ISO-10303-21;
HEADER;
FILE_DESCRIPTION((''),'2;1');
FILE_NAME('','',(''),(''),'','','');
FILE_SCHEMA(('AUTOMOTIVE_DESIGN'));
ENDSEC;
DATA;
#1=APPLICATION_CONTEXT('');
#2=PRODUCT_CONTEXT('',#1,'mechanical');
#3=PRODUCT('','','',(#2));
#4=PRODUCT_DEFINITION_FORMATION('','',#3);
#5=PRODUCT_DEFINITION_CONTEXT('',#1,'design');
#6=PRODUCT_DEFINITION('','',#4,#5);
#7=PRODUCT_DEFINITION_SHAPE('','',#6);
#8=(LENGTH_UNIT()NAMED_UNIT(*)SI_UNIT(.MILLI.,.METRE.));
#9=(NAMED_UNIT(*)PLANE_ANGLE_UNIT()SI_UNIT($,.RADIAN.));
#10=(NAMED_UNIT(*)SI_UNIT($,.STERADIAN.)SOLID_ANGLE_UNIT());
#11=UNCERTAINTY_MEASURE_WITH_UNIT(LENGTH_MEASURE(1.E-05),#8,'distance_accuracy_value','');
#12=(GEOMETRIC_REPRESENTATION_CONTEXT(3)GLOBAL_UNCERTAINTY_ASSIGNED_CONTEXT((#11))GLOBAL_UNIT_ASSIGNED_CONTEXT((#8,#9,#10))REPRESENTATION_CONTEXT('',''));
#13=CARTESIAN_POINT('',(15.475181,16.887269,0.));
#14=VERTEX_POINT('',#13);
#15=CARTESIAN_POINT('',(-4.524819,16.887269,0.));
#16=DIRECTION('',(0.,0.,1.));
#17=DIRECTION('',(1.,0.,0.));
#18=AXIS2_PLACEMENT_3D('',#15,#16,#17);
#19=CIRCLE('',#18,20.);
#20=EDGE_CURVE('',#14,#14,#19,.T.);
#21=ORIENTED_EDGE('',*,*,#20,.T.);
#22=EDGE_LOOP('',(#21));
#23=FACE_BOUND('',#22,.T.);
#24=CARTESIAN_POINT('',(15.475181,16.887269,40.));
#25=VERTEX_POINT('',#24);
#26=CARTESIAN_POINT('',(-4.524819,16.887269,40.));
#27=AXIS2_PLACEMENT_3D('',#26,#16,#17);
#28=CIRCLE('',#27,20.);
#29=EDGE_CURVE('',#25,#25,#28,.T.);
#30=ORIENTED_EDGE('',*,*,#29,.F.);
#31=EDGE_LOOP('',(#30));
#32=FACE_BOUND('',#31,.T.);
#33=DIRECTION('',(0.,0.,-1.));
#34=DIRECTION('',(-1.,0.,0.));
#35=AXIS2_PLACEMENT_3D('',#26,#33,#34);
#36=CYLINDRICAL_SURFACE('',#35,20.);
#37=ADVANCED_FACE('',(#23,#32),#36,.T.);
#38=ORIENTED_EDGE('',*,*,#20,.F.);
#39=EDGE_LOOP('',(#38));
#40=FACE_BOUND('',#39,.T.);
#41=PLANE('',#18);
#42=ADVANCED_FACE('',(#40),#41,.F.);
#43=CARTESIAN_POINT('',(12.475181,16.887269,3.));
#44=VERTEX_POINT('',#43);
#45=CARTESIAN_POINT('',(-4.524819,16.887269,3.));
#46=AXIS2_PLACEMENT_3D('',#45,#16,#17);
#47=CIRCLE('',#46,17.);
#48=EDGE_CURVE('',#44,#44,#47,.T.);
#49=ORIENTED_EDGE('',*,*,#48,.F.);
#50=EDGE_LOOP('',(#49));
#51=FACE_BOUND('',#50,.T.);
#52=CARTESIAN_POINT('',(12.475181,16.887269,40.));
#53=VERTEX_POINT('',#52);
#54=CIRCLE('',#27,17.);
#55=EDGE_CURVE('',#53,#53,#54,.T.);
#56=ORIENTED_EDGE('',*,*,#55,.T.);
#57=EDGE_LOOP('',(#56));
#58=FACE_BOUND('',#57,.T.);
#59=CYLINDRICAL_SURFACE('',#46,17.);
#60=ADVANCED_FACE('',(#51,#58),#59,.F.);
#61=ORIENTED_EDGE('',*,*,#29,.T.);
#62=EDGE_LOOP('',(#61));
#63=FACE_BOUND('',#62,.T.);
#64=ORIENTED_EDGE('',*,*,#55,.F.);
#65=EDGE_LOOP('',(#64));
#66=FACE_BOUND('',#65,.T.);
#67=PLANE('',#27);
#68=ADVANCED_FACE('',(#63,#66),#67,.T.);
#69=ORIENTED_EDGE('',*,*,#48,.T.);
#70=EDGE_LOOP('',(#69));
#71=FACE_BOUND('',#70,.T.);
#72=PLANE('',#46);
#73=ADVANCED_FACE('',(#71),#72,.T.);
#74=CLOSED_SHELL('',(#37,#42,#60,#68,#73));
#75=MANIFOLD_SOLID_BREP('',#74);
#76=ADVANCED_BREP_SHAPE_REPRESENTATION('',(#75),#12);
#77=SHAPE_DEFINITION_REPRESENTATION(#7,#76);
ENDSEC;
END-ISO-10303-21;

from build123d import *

# Parameters (mm, degrees)
SKETCH_1_R          = 20
EXTRUDE_1_DEPTH     = 40
SKETCH_2_R          = 17
CUT_EXTRUDE_1_DEPTH = 37


with BuildPart() as part:
    # 草图1 → 凸台-拉伸1 (new body)
    with BuildSketch(Plane.XY):
        with Locations((-4.524818577, 16.887269333)):
            Circle(SKETCH_1_R)
    extrude(amount=EXTRUDE_1_DEPTH)

    # 草图2 → 切除-拉伸1 (cut)
    with BuildSketch(Plane.XY.offset(40)):
        with Locations((-4.524818577, 16.887269333)):
            Circle(SKETCH_2_R)
    extrude(amount=-CUT_EXTRUDE_1_DEPTH, mode=Mode.SUBTRACT)


solid = part.part
